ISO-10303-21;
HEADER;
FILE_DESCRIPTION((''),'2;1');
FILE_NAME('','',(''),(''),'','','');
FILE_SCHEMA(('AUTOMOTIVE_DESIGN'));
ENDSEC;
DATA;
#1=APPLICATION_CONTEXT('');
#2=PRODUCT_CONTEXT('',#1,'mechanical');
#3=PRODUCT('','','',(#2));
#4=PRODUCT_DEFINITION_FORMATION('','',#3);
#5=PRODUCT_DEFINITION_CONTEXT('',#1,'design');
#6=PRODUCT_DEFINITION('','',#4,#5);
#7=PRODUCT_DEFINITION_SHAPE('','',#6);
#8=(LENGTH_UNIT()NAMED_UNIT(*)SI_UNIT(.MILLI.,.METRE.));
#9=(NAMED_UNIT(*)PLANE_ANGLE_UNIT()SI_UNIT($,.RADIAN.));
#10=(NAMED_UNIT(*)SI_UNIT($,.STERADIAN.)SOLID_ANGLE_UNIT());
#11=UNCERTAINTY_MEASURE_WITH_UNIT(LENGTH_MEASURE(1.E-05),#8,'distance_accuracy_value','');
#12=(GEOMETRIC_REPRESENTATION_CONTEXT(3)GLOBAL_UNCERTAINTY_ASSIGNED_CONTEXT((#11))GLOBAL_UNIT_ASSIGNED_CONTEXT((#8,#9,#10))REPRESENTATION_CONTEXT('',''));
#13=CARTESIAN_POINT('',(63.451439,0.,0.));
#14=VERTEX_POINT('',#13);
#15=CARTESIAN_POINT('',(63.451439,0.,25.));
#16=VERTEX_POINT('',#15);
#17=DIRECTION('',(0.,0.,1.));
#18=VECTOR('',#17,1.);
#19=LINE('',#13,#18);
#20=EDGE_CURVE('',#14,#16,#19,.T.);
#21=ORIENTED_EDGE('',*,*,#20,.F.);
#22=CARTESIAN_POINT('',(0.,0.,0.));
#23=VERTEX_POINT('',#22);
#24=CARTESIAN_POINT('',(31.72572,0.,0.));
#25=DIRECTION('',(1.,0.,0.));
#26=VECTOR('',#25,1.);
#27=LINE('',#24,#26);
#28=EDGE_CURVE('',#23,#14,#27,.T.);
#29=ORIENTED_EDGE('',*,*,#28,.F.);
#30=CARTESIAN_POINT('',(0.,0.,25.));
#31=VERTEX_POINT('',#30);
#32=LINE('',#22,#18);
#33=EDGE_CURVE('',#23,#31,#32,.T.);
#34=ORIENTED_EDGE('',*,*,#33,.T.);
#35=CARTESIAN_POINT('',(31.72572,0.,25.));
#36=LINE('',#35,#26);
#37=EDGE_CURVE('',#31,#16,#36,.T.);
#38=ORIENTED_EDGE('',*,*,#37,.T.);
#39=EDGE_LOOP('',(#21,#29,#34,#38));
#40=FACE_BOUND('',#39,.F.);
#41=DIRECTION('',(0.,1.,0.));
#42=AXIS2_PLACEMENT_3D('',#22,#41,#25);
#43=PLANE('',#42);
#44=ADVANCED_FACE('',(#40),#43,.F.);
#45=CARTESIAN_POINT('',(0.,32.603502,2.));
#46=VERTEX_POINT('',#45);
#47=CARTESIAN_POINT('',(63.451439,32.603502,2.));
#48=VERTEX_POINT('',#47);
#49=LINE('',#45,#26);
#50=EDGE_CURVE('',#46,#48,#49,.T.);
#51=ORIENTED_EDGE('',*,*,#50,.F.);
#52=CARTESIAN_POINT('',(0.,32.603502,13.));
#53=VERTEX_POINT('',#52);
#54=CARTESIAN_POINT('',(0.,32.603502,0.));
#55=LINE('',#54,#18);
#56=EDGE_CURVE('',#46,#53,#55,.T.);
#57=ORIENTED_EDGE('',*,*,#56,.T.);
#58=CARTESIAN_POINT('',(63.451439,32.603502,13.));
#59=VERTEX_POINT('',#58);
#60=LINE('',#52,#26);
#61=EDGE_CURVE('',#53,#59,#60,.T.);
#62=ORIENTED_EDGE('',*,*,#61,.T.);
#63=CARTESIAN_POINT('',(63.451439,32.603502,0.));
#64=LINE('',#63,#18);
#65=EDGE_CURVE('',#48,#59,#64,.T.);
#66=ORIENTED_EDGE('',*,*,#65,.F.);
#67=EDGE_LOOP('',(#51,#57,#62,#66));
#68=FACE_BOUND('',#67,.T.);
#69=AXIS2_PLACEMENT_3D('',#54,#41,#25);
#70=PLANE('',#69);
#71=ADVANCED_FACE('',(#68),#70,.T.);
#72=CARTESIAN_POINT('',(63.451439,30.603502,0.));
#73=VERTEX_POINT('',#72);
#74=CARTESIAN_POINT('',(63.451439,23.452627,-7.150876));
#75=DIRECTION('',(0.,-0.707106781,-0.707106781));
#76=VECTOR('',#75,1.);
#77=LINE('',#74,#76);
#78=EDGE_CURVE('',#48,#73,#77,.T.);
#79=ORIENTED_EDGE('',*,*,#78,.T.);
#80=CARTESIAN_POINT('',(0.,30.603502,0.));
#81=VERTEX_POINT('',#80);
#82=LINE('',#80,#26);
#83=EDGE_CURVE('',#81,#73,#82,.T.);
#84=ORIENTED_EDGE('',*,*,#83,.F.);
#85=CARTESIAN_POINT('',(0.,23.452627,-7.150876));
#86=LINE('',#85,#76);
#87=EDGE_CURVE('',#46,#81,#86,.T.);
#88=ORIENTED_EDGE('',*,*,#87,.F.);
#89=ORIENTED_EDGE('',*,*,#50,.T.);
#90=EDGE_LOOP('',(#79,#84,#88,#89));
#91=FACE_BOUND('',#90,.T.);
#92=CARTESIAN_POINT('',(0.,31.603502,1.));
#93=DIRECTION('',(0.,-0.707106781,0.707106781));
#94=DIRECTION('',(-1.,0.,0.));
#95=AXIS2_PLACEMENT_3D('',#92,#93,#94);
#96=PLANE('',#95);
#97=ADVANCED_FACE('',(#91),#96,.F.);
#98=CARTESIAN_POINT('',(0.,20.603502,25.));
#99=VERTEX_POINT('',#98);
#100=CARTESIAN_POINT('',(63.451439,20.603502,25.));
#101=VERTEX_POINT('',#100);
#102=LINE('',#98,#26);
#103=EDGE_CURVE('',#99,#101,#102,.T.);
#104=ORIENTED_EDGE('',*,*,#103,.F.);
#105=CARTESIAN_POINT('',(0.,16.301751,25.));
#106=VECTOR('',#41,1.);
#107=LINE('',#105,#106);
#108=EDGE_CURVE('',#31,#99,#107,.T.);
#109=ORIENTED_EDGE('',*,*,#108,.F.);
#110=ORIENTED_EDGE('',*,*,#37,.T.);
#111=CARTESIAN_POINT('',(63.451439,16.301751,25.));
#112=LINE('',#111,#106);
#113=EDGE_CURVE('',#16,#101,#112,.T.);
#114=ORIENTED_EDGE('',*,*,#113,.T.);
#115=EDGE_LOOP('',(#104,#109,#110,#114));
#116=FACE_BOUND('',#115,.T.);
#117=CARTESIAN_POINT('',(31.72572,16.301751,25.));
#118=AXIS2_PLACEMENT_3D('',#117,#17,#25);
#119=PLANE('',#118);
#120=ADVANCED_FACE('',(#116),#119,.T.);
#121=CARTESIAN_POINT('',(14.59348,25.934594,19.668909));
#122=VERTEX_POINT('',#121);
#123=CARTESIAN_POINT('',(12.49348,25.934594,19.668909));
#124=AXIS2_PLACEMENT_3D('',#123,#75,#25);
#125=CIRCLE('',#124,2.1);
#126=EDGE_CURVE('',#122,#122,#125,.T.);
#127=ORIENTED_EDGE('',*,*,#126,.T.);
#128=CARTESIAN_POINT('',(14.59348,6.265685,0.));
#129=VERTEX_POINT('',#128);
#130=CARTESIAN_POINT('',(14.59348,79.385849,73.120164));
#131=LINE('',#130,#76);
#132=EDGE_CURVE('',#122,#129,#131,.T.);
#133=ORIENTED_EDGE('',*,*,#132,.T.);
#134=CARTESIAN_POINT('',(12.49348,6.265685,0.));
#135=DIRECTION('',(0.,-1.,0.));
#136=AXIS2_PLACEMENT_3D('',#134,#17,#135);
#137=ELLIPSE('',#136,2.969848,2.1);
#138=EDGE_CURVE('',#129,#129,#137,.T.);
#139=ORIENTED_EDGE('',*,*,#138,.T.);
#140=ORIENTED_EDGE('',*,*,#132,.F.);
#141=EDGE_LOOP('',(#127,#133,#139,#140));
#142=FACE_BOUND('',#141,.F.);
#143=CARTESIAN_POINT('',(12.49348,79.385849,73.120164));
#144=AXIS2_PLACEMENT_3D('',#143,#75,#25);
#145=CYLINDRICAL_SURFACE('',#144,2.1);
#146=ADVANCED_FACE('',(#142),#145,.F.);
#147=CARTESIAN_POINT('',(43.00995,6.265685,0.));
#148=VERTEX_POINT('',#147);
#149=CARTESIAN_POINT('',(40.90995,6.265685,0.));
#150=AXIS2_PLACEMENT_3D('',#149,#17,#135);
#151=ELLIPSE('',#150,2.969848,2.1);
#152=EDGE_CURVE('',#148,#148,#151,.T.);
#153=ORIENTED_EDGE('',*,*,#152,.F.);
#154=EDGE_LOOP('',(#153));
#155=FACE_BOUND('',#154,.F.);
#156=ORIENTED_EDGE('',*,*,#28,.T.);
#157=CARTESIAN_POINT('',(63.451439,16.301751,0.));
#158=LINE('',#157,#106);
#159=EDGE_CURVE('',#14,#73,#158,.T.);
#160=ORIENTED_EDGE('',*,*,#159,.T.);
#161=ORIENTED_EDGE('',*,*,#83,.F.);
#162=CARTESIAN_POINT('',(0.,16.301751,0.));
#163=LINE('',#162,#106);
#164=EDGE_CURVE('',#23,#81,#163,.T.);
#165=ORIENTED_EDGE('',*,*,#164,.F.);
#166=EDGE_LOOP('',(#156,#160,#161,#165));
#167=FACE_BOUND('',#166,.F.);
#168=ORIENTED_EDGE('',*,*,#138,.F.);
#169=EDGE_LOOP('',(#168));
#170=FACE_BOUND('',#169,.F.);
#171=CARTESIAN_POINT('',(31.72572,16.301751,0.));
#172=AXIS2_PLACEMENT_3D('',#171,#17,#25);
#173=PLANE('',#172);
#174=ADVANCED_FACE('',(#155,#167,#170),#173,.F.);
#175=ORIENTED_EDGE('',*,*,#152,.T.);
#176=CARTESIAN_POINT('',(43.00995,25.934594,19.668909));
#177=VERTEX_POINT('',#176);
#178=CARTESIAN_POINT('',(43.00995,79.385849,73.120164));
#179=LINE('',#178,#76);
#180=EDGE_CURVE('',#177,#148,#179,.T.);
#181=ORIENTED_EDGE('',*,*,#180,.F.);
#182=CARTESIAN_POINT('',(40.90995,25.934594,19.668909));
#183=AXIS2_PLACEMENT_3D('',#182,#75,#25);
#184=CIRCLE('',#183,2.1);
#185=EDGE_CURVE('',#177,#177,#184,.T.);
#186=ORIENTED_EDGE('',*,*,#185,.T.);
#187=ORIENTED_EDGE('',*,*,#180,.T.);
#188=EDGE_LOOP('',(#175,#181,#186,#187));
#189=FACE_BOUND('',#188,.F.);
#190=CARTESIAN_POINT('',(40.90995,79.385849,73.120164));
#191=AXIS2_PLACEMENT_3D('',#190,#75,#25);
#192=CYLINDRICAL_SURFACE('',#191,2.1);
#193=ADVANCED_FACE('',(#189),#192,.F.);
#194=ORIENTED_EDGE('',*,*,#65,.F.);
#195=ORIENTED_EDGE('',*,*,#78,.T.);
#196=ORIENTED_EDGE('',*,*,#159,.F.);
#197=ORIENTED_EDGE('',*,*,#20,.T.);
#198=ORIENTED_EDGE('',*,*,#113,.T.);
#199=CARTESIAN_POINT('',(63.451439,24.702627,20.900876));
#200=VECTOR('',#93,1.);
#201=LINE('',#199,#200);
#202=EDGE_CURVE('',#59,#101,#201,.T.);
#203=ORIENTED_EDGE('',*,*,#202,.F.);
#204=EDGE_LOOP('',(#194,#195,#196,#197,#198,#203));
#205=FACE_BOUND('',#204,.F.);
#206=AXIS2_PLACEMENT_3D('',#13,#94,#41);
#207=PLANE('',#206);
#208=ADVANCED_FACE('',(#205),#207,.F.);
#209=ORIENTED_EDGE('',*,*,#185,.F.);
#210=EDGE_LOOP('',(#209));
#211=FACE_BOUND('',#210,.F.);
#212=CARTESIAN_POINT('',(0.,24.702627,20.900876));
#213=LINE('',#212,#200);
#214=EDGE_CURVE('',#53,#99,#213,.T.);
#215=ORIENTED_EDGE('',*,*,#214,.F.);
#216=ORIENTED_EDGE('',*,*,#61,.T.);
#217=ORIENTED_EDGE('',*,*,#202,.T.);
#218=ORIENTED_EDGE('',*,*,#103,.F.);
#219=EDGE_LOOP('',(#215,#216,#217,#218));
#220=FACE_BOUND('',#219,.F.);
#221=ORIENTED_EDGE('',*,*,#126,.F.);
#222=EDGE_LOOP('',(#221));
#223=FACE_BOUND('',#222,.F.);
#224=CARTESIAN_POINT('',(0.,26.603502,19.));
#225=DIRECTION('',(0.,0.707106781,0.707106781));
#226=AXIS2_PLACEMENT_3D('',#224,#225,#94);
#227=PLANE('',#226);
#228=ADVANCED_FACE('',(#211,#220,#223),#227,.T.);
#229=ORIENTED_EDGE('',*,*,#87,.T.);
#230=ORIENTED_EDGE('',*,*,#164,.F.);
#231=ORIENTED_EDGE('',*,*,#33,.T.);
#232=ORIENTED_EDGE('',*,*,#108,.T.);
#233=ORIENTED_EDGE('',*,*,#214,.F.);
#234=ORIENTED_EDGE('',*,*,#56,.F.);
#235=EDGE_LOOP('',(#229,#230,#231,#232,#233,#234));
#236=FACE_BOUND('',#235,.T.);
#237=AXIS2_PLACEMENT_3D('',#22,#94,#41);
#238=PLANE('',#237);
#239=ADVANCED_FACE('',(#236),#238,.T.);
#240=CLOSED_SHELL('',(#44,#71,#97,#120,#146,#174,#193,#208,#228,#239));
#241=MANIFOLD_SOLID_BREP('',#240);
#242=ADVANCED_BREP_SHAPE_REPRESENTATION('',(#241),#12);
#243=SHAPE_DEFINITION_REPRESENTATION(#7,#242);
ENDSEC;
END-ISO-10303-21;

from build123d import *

# Parameters (mm, degrees)
F0_W     = 63.4514391422
F0_H     = 32.6035022736
F1_DEPTH = 25
F2_SIZE  = 12
F4_D     = 4.2
F5_SIZE  = 2


with BuildPart() as f1:
    # F0 (on Top) → F1 (new body)
    with BuildSketch(Plane.XY):
        with Locations((31.7257195711, 16.3017511368)):
            Rectangle(F0_W, F0_H)
    extrude(amount=F1_DEPTH)

    # F2
    f2_edges = [f1.edges().sort_by_distance(p)[0] for p in [
        (31.72572, 32.603502, 25),
    ]]
    chamfer(f2_edges, length=F2_SIZE)

    # F4 (through all)
    with Locations(Plane(origin=(0, 22.8017511368, 22.8017511368), x_dir=(-1, 0, 0), z_dir=(0, 0.7071067812, 0.7071067812))):
        with Locations((-12.4934799969, -4.4305082411), (-40.9099496901, -4.4305082411)):
            Hole(F4_D / 2)

    # F5
    f5_edges = [f1.edges().sort_by_distance(p)[0] for p in [
        (31.72572, 32.603502, 0),
    ]]
    chamfer(f5_edges, length=F5_SIZE)


solid = f1.part
